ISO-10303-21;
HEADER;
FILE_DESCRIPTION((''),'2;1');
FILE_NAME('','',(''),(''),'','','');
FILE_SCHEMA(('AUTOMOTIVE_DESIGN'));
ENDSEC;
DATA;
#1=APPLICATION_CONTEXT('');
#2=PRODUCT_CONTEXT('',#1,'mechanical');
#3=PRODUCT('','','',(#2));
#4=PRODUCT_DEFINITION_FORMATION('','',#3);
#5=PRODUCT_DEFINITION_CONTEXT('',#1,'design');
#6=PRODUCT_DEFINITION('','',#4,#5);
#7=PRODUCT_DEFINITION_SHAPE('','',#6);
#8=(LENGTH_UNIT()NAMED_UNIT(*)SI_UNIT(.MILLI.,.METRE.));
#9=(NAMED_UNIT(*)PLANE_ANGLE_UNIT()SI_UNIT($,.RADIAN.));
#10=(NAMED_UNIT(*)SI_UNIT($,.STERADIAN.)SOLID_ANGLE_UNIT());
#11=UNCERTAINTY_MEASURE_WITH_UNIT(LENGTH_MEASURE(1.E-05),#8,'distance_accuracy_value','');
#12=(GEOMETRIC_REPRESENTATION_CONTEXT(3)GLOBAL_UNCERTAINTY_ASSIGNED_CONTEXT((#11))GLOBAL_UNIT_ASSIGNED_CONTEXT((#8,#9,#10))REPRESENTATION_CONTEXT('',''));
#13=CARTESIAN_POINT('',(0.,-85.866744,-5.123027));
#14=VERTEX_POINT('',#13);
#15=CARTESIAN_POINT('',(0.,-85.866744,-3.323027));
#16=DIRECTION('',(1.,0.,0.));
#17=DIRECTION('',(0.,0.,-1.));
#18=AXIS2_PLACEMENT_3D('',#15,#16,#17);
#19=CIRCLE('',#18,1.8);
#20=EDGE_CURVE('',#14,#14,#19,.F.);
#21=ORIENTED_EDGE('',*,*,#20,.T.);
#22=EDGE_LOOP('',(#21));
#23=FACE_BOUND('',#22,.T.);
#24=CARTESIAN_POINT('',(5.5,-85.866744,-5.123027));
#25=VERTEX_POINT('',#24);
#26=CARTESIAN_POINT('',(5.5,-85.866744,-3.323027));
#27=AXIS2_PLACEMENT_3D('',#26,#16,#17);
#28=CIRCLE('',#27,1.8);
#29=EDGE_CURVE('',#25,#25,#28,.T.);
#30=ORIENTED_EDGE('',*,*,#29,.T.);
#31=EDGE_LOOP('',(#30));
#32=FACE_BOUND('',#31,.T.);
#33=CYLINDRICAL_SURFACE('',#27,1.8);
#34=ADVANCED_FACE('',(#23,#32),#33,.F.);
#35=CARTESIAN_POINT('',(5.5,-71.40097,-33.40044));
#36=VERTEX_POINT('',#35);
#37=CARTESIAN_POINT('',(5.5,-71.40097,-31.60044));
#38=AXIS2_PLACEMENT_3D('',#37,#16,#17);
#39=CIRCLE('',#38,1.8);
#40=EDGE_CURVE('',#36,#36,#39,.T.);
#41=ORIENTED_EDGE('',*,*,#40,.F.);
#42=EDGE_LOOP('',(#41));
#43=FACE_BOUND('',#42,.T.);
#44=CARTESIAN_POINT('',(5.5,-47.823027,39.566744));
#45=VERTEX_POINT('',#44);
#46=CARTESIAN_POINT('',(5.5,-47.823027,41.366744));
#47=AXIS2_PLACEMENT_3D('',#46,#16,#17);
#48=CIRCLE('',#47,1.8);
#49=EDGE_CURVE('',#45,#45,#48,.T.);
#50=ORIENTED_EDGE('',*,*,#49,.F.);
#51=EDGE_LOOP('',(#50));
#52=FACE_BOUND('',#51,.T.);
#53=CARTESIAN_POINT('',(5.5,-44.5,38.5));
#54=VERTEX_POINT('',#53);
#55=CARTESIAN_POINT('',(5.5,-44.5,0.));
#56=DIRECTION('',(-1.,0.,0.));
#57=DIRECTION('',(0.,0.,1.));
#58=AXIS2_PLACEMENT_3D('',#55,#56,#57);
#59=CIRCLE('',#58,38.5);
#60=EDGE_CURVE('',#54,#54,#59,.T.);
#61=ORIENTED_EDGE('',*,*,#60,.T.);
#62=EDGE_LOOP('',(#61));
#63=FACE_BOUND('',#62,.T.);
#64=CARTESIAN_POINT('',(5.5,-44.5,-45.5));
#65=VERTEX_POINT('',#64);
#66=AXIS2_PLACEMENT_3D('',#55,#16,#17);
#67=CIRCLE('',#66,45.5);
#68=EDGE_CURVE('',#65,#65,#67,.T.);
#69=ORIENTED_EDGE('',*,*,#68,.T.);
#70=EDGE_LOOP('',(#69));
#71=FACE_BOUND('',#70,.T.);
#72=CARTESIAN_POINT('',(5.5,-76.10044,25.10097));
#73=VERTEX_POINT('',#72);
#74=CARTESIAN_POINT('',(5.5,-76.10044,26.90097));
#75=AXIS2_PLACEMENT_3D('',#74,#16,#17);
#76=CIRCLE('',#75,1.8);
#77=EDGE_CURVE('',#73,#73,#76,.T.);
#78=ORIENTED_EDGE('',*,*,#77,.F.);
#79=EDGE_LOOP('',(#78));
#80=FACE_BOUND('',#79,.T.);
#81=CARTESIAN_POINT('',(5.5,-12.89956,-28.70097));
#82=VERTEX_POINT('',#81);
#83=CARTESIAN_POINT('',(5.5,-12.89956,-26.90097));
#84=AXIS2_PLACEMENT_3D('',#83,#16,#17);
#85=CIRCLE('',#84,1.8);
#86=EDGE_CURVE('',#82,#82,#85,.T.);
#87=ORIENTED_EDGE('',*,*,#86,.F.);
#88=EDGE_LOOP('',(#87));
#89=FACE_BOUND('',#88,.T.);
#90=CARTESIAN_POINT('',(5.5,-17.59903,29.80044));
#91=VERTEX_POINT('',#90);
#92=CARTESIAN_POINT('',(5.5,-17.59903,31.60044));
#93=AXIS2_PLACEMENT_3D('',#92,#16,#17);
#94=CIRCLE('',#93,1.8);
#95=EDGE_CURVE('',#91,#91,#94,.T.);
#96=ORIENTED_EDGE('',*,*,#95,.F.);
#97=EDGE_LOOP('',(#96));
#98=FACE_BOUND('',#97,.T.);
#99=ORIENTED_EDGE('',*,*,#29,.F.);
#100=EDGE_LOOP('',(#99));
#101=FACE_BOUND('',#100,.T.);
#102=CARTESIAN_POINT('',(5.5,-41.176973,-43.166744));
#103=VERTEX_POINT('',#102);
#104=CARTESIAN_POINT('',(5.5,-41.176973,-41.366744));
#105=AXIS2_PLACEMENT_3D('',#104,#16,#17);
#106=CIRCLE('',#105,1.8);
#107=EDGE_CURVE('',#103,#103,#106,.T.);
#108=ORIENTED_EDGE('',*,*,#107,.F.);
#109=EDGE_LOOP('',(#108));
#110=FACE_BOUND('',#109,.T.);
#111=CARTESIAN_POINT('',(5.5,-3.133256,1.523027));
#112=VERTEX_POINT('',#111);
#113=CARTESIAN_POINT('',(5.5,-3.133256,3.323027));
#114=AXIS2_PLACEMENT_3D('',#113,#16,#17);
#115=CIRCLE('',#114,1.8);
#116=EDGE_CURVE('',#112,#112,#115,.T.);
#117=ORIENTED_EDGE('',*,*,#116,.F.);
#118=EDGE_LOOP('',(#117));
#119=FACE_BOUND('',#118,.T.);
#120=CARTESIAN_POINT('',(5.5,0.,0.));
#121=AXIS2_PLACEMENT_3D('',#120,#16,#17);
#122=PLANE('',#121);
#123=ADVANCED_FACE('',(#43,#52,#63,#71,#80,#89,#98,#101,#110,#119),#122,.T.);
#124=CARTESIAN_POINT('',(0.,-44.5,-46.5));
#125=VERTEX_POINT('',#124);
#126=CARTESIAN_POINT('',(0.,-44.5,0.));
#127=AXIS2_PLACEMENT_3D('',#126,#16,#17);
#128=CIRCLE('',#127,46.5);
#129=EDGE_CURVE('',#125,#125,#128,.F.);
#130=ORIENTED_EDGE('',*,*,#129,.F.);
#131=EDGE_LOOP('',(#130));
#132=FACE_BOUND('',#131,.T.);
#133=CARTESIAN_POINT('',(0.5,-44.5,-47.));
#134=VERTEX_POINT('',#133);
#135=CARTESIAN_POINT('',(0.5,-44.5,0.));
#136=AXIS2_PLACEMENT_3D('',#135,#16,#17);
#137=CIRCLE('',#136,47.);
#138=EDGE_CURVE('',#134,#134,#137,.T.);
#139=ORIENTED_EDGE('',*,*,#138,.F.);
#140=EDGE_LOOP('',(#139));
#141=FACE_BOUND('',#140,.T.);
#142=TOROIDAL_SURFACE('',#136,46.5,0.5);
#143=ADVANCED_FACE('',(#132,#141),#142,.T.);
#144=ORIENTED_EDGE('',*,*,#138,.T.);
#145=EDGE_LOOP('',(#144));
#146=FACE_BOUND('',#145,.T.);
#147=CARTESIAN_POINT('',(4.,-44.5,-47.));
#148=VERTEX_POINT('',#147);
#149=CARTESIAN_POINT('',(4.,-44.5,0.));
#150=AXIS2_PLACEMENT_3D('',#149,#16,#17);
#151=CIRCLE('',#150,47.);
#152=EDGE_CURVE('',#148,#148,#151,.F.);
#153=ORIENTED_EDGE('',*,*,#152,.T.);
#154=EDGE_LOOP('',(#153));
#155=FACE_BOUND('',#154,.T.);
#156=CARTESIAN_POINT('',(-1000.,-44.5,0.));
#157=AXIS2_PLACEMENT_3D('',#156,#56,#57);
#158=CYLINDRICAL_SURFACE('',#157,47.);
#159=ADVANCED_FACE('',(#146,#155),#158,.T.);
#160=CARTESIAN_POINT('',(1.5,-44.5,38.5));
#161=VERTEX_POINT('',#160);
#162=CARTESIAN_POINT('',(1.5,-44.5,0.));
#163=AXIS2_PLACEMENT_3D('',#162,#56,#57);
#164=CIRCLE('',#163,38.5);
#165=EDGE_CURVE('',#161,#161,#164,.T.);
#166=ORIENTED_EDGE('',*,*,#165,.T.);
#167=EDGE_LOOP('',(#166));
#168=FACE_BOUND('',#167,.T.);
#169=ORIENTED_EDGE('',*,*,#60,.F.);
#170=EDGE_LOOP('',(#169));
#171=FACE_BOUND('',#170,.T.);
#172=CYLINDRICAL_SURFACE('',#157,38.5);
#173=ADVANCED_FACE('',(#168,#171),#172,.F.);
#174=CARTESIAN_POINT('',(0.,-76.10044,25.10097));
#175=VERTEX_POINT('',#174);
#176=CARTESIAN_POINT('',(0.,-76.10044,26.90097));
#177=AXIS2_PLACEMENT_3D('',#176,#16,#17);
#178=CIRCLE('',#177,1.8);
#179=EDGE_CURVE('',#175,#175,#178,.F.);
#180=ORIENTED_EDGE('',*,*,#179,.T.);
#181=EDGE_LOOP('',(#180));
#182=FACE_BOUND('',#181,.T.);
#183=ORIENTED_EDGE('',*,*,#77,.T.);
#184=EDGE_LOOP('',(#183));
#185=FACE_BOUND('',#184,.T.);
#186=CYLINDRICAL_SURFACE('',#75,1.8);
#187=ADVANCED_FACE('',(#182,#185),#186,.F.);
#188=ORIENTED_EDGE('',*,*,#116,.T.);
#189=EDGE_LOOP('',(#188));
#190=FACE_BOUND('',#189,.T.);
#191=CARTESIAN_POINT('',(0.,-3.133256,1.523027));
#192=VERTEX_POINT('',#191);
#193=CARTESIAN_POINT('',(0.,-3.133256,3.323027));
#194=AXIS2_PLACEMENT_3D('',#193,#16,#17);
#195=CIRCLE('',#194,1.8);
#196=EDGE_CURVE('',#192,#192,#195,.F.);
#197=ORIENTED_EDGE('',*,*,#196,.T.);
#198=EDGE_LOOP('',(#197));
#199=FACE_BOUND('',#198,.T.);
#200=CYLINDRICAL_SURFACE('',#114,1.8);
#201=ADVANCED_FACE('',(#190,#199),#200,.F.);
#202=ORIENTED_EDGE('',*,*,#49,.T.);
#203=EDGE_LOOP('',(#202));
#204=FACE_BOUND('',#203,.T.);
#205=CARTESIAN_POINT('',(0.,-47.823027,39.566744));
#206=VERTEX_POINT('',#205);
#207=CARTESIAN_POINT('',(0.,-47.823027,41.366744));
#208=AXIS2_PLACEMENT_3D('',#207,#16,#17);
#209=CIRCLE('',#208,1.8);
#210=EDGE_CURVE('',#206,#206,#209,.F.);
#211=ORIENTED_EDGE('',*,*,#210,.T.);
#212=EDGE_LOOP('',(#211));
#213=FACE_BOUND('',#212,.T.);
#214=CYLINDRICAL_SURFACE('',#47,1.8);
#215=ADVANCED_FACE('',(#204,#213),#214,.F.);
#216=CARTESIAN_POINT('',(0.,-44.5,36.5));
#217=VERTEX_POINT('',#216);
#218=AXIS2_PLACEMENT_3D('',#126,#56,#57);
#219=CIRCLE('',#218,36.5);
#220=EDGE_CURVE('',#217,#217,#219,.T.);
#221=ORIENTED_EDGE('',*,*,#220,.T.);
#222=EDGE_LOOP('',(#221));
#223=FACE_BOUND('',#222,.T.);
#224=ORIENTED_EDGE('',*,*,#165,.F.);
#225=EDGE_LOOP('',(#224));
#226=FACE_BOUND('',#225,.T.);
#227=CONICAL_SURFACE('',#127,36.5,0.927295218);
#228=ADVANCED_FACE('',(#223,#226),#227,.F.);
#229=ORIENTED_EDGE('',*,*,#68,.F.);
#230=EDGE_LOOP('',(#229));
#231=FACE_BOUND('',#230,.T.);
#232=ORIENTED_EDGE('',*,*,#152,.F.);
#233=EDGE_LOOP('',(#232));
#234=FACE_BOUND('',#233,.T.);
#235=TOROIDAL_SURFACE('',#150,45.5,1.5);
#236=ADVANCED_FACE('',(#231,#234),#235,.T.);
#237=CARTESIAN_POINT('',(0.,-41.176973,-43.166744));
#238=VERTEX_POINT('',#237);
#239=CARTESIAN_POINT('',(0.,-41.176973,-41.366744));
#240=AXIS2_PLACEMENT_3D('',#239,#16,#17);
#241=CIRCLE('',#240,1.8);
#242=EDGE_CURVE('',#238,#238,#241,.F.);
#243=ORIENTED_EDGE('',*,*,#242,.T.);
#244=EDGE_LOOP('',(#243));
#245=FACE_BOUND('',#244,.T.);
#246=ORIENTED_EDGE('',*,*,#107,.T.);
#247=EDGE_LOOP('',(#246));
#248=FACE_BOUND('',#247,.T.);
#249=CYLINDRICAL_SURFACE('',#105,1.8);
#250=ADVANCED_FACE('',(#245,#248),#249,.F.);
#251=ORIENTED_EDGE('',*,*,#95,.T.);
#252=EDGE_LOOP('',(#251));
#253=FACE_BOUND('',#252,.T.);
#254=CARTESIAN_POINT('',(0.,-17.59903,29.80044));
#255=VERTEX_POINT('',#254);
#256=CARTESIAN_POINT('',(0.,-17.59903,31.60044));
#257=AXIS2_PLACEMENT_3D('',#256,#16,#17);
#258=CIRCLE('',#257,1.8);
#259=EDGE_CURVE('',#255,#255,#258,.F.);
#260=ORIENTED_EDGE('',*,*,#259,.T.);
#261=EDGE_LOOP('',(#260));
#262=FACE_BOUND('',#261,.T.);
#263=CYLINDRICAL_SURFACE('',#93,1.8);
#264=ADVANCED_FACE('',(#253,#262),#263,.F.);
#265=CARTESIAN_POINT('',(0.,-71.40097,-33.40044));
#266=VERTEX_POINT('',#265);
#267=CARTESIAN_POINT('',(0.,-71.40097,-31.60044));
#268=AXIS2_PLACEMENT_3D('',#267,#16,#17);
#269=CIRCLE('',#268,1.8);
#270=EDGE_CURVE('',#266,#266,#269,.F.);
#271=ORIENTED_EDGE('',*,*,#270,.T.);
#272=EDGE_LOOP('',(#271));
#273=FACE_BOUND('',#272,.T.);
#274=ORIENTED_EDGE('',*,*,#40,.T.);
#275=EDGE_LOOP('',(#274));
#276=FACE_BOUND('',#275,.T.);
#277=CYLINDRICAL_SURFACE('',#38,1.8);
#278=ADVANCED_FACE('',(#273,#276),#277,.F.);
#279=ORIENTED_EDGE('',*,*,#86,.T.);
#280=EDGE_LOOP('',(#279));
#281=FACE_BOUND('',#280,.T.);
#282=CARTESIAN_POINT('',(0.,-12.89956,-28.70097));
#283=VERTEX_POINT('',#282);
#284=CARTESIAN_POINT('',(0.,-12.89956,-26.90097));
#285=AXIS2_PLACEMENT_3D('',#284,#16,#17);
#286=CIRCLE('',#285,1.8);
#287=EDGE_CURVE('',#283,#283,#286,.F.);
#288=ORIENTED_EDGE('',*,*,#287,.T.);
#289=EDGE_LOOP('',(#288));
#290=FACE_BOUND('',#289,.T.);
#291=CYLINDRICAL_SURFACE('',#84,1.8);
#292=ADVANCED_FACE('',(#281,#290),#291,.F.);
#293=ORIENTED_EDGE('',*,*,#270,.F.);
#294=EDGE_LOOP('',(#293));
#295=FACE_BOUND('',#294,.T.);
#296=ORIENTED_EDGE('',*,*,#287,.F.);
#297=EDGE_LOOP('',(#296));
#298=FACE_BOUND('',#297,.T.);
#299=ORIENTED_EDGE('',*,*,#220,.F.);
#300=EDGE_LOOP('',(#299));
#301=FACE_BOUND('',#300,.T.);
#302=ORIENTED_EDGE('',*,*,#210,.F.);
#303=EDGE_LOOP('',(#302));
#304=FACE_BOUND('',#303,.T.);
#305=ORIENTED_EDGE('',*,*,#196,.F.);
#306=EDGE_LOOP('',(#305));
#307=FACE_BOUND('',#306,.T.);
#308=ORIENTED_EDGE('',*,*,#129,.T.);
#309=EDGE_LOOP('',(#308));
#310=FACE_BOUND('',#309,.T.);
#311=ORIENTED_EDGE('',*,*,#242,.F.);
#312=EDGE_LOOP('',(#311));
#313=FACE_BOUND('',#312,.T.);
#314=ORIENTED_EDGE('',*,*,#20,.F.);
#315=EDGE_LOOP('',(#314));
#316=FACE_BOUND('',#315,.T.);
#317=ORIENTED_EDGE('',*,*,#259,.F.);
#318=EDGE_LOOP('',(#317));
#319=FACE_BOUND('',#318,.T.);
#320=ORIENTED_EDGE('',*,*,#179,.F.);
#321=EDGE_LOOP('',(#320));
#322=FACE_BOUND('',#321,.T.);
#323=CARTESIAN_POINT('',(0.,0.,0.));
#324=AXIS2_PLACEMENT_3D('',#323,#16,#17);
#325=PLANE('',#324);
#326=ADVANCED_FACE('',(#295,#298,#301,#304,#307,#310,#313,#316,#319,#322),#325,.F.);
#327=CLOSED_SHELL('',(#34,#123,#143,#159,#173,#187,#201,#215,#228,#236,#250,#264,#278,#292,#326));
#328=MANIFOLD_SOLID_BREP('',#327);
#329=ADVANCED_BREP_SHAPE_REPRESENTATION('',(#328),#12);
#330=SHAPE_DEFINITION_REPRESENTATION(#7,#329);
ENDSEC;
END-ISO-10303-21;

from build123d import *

# Parameters (mm, degrees)
SKETCH1_W         = 5.5
SKETCH1_H         = 6
SKETCH1_H_2       = 2.5
CIRPATTERN1_COUNT = 8
FILLET1_R         = 1.5
FILLET2_R         = 0.5


with BuildPart() as part:
    # Sketch1 → Revolve1 (revolve)
    with BuildSketch(Plane.XY, mode=Mode.PRIVATE) as revolve1_sk:
        with Locations((2.75, -3)):
            Rectangle(SKETCH1_W, SKETCH1_H)
        Polygon((1.5, -6), (0, -6), (0, -8), align=None)
        with Locations((2.75, 1.25)):
            Rectangle(SKETCH1_W, SKETCH1_H_2)
    revolve(revolve1_sk.sketch.rotate(Axis((-1000, -44.5, 0), (1, 0, 0)), 90), axis=Axis((-1000, -44.5, 0), (1, 0, 0)))

    # Sketch6 → M3 Clearance Hole3 (revolve, cut)
    with BuildSketch(Plane(origin=(5.5, -76.100440255, 26.900969791), x_dir=(0, 0, -1), z_dir=(0, 1, 0))):
        Polygon((0, 0), (0, 6.581549114), (1.8, 5.5), (1.8, 0), align=None)
    m3_clearance_hole3 = revolve(axis=Axis((11.85, -76.100440255, 26.900969791), (-1, 0, 0)), mode=Mode.SUBTRACT)

    # CirPattern1: M3 Clearance Hole3 ×8 about axis
    cirpattern1_axis = Axis((0, -44.5, 0), (1, 0, 0))
    for i in range(1, CIRPATTERN1_COUNT):
        add(m3_clearance_hole3.rotate(cirpattern1_axis, i * 360 / CIRPATTERN1_COUNT), mode=Mode.SUBTRACT)

    # Fillet1
    fillet1_edges = [part.edges().sort_by_distance(p)[0] for p in [
        (5.5, -44.5, -47),
    ]]
    fillet(fillet1_edges, radius=FILLET1_R)

    # Fillet2
    fillet2_edges = [part.edges().sort_by_distance(p)[0] for p in [
        (0, -44.5, -47),
    ]]
    fillet(fillet2_edges, radius=FILLET2_R)


solid = part.part
